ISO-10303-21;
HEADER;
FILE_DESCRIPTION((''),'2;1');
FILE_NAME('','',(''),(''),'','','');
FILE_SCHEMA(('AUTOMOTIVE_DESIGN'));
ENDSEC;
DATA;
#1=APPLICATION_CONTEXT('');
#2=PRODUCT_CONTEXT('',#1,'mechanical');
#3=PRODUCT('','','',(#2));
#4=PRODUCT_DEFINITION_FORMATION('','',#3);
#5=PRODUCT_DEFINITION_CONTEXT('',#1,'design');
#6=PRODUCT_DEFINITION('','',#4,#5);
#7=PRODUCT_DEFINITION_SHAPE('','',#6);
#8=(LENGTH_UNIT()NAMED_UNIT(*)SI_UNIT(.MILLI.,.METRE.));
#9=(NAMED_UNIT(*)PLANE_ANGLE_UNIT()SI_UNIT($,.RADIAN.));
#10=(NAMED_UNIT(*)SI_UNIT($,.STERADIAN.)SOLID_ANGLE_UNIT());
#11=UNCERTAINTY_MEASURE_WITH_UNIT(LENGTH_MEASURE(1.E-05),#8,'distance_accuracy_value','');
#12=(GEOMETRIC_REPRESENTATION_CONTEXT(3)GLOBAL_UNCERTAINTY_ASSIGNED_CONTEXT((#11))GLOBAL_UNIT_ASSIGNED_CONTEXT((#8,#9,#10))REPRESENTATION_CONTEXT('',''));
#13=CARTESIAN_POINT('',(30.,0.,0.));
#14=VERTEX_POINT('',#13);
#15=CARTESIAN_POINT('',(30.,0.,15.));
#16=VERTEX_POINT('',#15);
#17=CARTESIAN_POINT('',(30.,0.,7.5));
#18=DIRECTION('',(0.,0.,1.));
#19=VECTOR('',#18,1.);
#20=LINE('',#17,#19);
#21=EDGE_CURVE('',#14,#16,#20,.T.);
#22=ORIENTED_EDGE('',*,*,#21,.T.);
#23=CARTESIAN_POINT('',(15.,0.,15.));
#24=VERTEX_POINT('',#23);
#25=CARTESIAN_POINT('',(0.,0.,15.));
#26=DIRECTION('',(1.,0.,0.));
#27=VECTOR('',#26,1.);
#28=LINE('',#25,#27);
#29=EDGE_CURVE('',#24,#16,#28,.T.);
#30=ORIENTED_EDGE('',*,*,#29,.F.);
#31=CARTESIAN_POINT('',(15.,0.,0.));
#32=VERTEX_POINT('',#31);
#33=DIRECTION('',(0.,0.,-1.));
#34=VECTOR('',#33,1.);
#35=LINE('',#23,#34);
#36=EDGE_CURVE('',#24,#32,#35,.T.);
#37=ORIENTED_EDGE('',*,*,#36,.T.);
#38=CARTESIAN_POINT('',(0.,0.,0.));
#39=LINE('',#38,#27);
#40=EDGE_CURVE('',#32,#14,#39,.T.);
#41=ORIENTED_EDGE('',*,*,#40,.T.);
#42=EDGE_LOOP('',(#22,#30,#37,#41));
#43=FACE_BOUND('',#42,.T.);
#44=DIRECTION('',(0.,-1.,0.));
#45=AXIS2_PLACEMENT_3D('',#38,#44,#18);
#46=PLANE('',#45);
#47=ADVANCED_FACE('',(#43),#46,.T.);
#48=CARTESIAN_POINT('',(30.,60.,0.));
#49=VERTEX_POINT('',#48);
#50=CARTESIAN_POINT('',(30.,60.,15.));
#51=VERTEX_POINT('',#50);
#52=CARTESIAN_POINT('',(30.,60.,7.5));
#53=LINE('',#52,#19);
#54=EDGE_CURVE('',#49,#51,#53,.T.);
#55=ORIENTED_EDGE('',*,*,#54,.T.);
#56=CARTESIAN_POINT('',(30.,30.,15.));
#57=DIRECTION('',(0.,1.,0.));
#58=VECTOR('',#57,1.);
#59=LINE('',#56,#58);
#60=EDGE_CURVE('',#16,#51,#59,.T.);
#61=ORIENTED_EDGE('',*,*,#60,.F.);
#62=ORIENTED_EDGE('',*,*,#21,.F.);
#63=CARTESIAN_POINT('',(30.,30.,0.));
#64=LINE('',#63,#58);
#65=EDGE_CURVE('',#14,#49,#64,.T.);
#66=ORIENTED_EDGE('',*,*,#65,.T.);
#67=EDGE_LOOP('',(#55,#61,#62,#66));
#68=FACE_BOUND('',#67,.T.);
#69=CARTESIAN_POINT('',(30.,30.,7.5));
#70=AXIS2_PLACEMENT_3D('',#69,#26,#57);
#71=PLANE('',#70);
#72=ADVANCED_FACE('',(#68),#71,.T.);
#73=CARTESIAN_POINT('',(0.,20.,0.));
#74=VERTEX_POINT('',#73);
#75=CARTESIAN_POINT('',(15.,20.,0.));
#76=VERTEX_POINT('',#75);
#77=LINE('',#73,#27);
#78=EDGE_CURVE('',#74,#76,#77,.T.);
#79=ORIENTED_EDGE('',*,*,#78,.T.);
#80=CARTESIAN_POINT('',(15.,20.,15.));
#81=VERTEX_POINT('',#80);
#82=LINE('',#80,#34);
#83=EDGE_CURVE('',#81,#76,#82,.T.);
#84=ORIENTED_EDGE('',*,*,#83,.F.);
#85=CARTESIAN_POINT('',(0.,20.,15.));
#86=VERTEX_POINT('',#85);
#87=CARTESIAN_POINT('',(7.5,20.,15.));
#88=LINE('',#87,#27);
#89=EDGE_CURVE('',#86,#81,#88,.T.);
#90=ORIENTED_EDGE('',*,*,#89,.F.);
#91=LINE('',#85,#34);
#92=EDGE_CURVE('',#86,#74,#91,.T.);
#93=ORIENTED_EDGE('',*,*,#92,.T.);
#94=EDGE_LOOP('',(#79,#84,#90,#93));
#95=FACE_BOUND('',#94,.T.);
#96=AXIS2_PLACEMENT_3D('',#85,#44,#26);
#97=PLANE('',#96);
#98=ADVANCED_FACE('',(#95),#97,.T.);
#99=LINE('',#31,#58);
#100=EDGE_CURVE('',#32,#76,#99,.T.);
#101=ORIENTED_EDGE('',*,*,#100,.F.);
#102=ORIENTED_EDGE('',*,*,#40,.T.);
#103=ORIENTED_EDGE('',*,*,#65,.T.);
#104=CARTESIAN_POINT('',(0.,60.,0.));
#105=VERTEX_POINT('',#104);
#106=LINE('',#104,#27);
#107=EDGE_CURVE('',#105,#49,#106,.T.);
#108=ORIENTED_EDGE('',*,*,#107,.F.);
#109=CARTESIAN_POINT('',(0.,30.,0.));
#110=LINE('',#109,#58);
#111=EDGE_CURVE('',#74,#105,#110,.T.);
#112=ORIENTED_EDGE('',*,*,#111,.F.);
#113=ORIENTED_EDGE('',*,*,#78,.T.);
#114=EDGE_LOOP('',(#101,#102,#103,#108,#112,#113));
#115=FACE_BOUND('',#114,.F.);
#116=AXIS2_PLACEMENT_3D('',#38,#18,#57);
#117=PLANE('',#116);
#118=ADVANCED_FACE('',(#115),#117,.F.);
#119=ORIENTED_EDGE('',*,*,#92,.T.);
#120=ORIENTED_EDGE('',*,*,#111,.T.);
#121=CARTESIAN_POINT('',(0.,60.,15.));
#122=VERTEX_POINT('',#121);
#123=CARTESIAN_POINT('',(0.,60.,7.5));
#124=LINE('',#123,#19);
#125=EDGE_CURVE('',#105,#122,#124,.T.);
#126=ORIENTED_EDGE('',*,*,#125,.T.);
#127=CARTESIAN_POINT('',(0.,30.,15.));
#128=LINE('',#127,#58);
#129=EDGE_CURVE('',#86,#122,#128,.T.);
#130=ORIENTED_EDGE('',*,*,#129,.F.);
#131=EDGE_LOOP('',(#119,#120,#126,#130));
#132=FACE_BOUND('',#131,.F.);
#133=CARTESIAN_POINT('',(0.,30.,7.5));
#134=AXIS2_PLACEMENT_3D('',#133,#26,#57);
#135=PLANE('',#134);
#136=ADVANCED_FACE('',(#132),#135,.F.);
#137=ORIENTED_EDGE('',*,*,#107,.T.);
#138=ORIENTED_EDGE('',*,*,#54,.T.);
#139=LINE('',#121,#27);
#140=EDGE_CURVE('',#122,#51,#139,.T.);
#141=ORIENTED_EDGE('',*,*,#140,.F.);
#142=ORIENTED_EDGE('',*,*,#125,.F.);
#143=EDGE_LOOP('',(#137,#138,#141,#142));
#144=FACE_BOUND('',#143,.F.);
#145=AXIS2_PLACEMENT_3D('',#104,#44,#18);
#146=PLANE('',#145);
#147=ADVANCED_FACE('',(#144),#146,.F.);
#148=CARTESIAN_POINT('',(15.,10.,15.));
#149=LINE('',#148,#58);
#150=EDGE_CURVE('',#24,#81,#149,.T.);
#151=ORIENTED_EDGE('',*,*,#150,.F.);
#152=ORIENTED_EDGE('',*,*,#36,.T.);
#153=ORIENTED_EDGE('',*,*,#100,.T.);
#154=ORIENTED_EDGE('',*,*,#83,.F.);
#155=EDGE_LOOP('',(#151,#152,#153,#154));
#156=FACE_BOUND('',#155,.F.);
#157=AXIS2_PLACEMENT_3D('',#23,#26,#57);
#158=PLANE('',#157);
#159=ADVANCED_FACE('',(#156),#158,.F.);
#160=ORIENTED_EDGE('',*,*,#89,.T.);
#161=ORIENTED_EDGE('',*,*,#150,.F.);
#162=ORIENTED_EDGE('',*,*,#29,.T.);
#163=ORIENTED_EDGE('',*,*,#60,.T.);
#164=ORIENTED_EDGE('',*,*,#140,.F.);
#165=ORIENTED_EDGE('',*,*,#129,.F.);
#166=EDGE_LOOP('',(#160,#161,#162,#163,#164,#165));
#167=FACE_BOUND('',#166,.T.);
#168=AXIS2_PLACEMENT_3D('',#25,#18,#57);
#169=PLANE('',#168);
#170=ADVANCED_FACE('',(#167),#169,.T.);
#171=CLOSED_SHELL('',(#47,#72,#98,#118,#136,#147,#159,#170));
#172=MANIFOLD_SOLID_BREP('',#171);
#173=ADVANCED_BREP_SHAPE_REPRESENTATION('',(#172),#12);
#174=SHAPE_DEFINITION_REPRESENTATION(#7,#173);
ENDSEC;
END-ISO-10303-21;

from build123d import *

# Parameters (mm, degrees)
F0_W     = 60
F0_H     = 15
F1_DEPTH = 30
F2_W     = 15
F2_H     = 20
F3_DEPTH = 25


with BuildPart() as f1:
    # F0 (on Right) → F1 (new body)
    with BuildSketch(Plane.YZ):
        with Locations((30, 7.5)):
            Rectangle(F0_W, F0_H)
    extrude(amount=F1_DEPTH)

    # F2 (on face) → F3 (cut)
    with BuildSketch(Plane.XY.offset(15)):
        with Locations((7.5, 10)):
            Rectangle(F2_W, F2_H)
    extrude(amount=-F3_DEPTH, mode=Mode.SUBTRACT)


solid = f1.part
